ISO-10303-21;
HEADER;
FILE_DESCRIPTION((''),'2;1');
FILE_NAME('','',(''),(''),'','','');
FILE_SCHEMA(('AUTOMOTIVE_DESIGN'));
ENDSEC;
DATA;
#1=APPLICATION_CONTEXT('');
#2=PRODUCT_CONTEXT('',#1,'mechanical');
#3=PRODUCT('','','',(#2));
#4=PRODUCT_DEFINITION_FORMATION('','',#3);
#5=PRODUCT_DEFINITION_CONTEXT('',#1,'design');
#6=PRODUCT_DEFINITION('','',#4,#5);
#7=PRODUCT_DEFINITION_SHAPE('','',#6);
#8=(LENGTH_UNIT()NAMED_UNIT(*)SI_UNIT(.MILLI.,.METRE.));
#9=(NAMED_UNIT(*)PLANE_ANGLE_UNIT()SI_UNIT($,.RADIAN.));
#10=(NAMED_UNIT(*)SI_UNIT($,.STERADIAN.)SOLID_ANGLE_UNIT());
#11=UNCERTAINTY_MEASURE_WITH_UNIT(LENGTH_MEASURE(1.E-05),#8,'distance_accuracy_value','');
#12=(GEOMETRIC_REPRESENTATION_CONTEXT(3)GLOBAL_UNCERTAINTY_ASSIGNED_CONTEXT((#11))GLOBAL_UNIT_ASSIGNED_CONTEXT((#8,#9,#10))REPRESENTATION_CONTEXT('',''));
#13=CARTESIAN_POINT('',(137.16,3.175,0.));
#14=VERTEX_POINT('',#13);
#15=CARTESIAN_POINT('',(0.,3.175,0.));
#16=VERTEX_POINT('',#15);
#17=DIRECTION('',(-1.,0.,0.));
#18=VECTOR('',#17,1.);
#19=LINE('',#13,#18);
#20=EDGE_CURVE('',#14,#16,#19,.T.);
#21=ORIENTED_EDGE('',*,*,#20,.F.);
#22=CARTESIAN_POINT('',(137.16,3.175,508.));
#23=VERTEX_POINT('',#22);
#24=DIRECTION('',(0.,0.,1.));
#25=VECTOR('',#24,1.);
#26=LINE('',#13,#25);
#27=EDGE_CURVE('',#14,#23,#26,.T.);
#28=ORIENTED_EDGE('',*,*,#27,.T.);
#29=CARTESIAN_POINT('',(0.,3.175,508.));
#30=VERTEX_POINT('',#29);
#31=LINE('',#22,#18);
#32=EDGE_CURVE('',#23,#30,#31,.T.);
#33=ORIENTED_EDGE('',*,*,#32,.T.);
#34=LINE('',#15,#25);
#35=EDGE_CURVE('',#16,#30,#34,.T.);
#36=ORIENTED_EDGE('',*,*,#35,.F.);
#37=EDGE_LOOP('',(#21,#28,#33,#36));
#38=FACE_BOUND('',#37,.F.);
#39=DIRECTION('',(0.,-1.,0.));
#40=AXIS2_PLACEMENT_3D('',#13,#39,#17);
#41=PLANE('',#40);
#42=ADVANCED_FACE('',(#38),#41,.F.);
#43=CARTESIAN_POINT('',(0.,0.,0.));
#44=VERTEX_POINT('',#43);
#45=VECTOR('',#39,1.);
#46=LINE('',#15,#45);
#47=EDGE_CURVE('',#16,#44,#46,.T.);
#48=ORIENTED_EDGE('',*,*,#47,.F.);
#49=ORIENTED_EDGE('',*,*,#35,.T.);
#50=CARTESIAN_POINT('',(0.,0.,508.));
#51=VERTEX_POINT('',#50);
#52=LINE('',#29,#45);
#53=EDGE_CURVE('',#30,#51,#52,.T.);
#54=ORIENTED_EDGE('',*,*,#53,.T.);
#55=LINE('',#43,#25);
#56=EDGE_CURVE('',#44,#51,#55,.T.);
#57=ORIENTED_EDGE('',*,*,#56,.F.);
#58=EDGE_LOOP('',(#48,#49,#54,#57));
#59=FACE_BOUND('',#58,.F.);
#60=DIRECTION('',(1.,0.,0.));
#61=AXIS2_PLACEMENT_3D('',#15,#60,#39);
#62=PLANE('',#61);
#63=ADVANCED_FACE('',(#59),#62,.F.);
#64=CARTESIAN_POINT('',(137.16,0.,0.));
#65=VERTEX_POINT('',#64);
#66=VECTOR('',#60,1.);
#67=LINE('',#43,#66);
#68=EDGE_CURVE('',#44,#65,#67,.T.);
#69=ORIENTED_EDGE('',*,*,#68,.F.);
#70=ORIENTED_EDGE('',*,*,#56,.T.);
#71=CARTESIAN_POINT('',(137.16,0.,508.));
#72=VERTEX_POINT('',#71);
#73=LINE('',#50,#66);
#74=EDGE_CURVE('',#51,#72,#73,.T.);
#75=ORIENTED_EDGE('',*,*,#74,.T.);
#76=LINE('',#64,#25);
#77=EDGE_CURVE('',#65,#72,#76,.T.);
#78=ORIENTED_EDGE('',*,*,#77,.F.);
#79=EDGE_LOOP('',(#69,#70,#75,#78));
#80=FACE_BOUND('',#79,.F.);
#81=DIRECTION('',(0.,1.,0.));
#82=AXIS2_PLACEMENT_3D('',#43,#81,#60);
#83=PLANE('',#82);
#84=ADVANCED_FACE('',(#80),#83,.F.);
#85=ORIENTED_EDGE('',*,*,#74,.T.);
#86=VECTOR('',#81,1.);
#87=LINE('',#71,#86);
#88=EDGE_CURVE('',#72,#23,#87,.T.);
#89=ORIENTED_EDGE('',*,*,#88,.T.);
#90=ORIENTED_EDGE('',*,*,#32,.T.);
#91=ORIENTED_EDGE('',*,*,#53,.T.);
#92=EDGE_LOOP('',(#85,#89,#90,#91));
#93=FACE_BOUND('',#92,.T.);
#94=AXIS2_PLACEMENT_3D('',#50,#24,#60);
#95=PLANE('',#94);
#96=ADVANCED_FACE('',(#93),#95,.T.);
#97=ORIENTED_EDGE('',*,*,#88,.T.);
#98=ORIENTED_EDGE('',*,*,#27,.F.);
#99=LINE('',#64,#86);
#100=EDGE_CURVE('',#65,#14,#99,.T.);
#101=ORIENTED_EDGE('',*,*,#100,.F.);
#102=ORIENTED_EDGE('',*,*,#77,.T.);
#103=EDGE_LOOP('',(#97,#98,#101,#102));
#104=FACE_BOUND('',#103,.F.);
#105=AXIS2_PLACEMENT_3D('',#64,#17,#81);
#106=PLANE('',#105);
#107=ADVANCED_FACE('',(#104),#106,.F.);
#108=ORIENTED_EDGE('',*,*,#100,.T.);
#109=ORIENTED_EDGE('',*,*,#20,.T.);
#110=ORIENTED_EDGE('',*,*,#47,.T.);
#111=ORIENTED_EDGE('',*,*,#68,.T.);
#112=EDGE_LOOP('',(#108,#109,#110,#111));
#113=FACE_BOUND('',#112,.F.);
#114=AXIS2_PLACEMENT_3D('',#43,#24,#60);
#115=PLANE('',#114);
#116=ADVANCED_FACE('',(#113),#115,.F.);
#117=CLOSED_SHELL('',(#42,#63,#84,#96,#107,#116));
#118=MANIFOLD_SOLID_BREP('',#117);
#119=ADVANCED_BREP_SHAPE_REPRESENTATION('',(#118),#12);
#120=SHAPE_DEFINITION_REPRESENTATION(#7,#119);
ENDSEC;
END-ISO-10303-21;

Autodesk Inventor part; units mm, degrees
ref_plane "YZ Plane" through (0, 0, 0) normal (1, 0, 0) x (0, 1, 0)
ref_plane "XZ Plane" through (0, 0, 0) normal (0, 1, 0) x (-1, 0, 0)
ref_plane "XY Plane" through (0, 0, 0) normal (0, 0, 1) x (1, 0, 0)
sketch "Sketch1" plane through (0, 0, 0) normal (0, 0, 1) x (1, 0, 0)
  line L0 (0, 0) -> (137.16, 0)
  line L1 (137.16, 0) -> (137.16, 3.175)
  line L2 (137.16, 3.175) -> (0, 3.175)
  line L3 (0, 3.175) -> (0, 0)
  dimension "d0" = 3.175
  dimension "d1" = 137.16
extrude "Extrusion1" add sketch "Sketch1" along normal blind 508
properties part number "End Clear Ramp Surface 125 - Version 2"
